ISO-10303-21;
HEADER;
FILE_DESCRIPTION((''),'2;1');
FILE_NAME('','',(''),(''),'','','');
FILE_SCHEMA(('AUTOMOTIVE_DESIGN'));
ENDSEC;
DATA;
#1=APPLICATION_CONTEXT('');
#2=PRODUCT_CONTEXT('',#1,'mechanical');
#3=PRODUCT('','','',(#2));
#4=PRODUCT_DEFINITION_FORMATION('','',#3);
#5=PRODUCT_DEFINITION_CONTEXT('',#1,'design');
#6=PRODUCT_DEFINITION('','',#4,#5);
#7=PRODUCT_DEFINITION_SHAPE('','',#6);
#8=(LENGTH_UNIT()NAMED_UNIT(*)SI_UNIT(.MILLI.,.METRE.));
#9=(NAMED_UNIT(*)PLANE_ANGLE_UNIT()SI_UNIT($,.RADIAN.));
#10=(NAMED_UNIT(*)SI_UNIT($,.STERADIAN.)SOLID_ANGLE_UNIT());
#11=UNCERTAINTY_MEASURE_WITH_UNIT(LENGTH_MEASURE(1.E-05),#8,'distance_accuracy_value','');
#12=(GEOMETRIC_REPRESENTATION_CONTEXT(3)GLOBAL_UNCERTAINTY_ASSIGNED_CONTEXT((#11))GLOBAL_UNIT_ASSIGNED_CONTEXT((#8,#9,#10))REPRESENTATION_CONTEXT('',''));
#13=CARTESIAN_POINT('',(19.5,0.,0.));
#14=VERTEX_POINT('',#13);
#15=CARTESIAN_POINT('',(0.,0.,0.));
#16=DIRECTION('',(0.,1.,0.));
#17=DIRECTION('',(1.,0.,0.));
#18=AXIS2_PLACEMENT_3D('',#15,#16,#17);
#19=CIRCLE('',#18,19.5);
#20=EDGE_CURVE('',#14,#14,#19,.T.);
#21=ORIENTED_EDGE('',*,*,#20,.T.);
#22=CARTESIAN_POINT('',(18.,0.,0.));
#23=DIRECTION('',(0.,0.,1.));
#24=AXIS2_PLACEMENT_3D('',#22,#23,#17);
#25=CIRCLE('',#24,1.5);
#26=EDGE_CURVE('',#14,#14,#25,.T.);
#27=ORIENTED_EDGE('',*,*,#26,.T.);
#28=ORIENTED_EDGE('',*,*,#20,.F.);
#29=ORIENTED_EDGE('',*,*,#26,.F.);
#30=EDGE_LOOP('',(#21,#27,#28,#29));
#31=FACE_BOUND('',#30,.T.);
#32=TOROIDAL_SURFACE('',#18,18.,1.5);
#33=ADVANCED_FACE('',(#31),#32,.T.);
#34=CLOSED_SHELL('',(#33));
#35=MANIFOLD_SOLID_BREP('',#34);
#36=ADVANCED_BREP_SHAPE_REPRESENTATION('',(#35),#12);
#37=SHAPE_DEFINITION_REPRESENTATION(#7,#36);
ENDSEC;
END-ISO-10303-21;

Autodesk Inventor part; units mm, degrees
ref_plane "YZ Plane" through (0, 0, 0) normal (1, 0, 0) x (0, 1, 0)
ref_plane "XZ Plane" through (0, 0, 0) normal (0, 1, 0) x (-1, 0, 0)
ref_plane "XY Plane" through (0, 0, 0) normal (0, 0, 1) x (1, 0, 0)
sketch "Sketch1" plane through (0, 0, 0) normal (0, 0, 1) x (1, 0, 0)
  circle A0 centre (18, 0) radius 1.5
  line L0 (0, 0) -> (0, 8.7722)
  dimension "d0" = 3
  dimension "d1" = 36
revolve "Revolution1" add sketch "Sketch1" angle 360 about axis through (0, 0, 0) along (0, 1, 0)
properties part number "Oring" material "Rubber"
